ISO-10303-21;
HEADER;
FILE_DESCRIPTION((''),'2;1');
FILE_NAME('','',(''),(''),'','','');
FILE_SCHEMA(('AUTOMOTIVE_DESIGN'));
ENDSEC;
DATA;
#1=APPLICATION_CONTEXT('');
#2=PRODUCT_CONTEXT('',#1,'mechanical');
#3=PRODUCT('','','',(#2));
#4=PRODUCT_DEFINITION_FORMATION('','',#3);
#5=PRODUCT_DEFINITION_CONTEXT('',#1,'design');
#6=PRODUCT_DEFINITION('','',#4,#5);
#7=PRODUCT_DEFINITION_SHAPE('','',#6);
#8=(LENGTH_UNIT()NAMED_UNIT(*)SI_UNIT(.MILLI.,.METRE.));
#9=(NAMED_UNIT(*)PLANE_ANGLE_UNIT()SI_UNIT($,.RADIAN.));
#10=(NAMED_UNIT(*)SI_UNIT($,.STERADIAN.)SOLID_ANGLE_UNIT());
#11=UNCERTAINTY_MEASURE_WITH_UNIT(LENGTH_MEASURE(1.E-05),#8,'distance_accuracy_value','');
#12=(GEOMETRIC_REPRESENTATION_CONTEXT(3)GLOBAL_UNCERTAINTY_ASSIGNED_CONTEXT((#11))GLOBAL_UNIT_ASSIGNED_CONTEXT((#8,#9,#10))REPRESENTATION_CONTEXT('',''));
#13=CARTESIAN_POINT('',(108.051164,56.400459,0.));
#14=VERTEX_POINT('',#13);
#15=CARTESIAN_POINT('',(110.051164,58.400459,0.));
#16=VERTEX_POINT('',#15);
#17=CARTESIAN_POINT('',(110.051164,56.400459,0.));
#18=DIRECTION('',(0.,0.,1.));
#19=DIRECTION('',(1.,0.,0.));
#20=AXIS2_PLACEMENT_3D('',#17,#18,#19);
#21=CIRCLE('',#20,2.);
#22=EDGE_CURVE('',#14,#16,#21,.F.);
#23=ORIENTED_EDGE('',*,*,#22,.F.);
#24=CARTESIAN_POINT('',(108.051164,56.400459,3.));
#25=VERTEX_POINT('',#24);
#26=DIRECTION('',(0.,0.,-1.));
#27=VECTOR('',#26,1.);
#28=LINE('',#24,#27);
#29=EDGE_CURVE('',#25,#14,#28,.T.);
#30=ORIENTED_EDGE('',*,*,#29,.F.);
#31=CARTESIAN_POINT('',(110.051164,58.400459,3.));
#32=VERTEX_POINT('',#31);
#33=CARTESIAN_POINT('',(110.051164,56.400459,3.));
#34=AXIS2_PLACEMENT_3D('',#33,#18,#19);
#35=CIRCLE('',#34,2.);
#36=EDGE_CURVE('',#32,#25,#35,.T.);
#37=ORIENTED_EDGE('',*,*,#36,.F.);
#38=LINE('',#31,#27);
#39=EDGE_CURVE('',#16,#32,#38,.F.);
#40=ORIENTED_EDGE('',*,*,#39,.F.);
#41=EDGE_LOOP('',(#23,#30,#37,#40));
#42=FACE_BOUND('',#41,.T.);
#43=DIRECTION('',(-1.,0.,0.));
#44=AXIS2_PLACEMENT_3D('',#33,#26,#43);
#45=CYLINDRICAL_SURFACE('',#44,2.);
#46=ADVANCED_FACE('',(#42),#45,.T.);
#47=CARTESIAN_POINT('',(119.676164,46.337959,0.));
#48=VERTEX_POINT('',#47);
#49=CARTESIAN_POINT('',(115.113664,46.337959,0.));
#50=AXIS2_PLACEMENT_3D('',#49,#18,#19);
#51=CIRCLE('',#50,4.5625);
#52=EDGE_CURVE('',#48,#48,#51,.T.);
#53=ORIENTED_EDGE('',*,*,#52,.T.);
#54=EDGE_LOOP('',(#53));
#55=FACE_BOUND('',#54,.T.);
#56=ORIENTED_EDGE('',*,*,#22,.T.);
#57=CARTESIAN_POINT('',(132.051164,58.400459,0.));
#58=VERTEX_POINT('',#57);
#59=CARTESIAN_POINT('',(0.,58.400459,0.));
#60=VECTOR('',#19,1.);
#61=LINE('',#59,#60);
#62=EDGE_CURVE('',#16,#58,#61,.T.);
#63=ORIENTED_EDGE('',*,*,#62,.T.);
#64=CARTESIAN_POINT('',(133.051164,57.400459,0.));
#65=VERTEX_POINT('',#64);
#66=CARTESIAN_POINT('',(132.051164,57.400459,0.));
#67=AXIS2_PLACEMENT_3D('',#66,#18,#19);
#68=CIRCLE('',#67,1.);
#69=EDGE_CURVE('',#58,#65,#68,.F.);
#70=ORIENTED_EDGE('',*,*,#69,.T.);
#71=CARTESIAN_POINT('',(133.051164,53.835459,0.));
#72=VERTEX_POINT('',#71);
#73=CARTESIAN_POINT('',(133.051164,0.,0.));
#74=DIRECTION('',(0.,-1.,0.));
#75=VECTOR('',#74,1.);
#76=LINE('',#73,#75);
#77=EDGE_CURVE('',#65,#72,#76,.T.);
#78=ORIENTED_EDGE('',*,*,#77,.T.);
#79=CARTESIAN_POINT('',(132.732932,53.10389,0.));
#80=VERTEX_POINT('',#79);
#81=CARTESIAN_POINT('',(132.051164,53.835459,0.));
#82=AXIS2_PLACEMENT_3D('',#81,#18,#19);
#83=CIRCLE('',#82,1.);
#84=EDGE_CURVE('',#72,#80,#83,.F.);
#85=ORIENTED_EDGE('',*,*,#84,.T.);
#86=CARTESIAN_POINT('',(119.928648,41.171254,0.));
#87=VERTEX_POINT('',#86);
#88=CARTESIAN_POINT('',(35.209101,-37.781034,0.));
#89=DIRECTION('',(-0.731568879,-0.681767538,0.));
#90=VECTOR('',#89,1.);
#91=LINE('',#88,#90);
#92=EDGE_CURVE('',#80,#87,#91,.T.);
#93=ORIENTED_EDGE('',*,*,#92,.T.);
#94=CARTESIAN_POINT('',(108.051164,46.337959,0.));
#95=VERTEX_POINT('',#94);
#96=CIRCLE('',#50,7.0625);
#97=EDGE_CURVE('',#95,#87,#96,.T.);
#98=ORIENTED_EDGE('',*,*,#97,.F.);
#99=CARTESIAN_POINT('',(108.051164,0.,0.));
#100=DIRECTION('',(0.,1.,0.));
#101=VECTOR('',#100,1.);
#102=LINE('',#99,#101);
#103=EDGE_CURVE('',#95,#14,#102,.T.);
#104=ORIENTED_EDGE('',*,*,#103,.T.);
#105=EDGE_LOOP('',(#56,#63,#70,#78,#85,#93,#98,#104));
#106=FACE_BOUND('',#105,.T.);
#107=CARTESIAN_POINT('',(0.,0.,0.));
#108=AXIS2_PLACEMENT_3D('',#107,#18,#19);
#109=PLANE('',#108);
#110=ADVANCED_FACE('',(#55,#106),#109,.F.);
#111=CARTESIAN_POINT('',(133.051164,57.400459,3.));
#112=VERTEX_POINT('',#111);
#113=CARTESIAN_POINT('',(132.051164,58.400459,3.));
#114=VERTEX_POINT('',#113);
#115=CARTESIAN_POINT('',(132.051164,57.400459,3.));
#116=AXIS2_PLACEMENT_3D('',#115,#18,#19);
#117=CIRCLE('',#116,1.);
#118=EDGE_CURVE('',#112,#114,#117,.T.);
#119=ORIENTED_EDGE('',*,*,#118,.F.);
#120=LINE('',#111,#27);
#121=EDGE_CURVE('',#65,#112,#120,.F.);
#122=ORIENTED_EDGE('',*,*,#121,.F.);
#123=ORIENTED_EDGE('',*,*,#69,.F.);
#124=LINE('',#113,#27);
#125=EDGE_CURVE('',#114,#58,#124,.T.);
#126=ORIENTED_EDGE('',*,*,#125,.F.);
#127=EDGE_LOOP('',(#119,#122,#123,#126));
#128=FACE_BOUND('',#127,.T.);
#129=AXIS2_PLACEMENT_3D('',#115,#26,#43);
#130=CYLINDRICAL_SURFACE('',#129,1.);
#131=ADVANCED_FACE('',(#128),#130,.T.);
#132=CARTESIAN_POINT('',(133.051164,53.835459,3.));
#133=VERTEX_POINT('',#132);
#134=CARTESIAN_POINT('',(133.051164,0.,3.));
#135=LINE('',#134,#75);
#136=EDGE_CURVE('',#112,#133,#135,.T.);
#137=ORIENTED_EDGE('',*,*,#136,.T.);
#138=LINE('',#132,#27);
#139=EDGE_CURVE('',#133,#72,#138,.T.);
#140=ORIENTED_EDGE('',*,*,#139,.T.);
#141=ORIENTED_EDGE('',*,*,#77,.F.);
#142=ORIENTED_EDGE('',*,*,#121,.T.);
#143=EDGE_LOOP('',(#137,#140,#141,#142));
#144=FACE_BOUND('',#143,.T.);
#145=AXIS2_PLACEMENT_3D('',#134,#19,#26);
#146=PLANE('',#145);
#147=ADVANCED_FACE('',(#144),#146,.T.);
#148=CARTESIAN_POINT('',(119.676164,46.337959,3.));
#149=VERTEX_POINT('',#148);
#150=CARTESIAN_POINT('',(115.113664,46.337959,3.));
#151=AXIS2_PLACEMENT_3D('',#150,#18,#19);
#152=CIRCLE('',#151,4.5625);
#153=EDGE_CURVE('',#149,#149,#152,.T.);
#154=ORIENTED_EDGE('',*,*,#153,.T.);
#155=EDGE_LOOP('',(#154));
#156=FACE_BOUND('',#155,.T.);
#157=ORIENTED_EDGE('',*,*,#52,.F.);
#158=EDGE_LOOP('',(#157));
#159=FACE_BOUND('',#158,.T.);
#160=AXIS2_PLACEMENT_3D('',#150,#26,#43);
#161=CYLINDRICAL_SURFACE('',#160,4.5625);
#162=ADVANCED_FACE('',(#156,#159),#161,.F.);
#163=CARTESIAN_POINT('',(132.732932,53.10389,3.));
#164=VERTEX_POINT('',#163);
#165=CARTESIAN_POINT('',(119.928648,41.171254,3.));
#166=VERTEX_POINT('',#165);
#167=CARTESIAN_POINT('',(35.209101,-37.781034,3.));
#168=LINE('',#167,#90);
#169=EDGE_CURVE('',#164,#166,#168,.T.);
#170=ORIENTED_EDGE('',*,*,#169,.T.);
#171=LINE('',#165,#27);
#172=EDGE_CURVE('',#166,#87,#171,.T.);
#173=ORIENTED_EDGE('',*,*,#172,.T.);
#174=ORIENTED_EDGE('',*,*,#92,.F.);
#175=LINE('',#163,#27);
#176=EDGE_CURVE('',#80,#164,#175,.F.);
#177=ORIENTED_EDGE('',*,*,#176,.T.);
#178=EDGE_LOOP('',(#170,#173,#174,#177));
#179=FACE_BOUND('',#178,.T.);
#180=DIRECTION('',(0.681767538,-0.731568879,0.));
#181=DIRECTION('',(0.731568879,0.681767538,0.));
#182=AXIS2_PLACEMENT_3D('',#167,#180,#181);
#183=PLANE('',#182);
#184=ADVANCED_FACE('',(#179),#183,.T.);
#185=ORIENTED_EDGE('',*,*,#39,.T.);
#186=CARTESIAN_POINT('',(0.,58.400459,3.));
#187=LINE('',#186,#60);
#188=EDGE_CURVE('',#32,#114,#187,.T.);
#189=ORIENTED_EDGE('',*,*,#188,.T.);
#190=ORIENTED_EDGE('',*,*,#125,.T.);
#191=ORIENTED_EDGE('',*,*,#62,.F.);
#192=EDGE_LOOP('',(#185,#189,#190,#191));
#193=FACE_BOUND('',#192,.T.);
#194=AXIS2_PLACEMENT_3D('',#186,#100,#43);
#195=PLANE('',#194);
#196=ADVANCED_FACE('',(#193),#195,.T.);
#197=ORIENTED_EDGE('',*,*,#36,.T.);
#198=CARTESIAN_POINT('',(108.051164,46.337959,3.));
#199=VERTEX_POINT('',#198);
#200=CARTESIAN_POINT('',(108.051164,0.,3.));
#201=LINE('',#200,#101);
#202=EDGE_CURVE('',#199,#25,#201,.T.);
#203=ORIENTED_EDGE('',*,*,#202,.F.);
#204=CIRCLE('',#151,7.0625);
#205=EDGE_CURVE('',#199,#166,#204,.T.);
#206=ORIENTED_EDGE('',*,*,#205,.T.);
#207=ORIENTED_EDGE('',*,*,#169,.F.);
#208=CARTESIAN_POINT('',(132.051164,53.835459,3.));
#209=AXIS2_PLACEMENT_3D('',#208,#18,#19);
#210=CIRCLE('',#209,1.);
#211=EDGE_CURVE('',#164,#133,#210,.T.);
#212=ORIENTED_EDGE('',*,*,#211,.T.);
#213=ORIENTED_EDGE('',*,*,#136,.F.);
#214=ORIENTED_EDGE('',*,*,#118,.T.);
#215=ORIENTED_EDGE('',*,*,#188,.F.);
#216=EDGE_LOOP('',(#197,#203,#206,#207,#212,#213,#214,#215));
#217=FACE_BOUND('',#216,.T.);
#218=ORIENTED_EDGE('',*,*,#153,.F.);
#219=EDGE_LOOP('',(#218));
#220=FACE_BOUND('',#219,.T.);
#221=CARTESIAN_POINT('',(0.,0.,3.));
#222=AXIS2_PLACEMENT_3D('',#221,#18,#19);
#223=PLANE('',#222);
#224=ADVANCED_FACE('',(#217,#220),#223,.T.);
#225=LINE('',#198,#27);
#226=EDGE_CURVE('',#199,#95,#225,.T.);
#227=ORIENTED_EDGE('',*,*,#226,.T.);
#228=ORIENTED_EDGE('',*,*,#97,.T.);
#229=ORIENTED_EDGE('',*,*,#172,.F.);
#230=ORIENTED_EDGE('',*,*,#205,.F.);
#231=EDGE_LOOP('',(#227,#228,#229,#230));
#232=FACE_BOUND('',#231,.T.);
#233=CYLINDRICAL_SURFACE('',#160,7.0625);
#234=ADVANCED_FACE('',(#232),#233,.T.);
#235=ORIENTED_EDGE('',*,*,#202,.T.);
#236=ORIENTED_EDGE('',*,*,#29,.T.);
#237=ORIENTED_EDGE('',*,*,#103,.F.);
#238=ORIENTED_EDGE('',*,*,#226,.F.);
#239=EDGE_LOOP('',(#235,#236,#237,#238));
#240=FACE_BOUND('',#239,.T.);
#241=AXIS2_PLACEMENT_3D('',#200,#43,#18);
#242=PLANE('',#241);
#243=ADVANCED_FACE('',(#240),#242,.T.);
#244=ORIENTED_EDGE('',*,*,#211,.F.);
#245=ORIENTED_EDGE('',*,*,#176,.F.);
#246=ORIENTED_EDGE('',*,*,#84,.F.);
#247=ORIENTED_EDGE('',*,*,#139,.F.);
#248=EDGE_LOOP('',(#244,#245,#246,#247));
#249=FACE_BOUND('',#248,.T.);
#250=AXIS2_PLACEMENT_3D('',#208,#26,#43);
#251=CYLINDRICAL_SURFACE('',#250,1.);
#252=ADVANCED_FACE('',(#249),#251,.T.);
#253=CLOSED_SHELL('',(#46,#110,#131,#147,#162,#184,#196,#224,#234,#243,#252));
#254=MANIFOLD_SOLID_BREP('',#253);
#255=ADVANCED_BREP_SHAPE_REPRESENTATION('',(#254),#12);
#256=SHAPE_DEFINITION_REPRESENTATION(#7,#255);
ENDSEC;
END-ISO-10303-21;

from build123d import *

# Parameters (mm, degrees)
SKETCH1_R           = 7.0625
SKETCH1_R_2         = 4.5625
BOSS_EXTRUDE1_DEPTH = 3
FILLET1_R           = 2
FILLET2_R           = 1


with BuildPart() as part:
    # Sketch1 → Boss-Extrude1 (new body)
    with BuildSketch(Plane.XY):
        with Locations((115.113664311, 46.337958859)):
            Circle(SKETCH1_R)
        with Locations((115.113664311, 46.337958859)):
            Circle(SKETCH1_R_2, mode=Mode.SUBTRACT)
        with BuildLine():
            ThreePointArc((108.051164311, 46.337958859), (110.119722669, 51.331900502), (115.113664311, 53.400458859))
            Line((115.113664311, 53.400458859), (108.051164311, 53.400458859))
            Line((108.051164311, 53.400458859), (108.051164311, 46.337958859))
        make_face()
        with BuildLine():
            Line((108.051164311, 53.400458859), (115.113664311, 53.400458859))
            ThreePointArc((115.113664311, 53.400458859), (120.107605953, 51.331900502), (122.176164311, 46.337958859))
            ThreePointArc((122.176164311, 46.337958859), (121.589956666, 43.520771685), (119.928647546, 41.171253652))
            Line((119.928647546, 41.171253652), (133.051164311, 53.400458859))
            Line((133.051164311, 53.400458859), (133.051164311, 58.400458859))
            Line((133.051164311, 58.400458859), (108.051164311, 58.400458859))
            Line((108.051164311, 58.400458859), (108.051164311, 53.400458859))
        make_face()
    extrude(amount=BOSS_EXTRUDE1_DEPTH)

    # Fillet1
    fillet1_edges = [part.edges().sort_by_distance(p)[0] for p in [
        (108.051164311, 58.400458859, 1.5),
    ]]
    fillet(fillet1_edges, radius=FILLET1_R)

    # Fillet2
    fillet2_edges = [part.edges().sort_by_distance(p)[0] for p in [
        (133.051164311, 58.400458859, 1.5),
        (133.051164311, 53.400458859, 1.5),
    ]]
    fillet(fillet2_edges, radius=FILLET2_R)


solid = part.part
